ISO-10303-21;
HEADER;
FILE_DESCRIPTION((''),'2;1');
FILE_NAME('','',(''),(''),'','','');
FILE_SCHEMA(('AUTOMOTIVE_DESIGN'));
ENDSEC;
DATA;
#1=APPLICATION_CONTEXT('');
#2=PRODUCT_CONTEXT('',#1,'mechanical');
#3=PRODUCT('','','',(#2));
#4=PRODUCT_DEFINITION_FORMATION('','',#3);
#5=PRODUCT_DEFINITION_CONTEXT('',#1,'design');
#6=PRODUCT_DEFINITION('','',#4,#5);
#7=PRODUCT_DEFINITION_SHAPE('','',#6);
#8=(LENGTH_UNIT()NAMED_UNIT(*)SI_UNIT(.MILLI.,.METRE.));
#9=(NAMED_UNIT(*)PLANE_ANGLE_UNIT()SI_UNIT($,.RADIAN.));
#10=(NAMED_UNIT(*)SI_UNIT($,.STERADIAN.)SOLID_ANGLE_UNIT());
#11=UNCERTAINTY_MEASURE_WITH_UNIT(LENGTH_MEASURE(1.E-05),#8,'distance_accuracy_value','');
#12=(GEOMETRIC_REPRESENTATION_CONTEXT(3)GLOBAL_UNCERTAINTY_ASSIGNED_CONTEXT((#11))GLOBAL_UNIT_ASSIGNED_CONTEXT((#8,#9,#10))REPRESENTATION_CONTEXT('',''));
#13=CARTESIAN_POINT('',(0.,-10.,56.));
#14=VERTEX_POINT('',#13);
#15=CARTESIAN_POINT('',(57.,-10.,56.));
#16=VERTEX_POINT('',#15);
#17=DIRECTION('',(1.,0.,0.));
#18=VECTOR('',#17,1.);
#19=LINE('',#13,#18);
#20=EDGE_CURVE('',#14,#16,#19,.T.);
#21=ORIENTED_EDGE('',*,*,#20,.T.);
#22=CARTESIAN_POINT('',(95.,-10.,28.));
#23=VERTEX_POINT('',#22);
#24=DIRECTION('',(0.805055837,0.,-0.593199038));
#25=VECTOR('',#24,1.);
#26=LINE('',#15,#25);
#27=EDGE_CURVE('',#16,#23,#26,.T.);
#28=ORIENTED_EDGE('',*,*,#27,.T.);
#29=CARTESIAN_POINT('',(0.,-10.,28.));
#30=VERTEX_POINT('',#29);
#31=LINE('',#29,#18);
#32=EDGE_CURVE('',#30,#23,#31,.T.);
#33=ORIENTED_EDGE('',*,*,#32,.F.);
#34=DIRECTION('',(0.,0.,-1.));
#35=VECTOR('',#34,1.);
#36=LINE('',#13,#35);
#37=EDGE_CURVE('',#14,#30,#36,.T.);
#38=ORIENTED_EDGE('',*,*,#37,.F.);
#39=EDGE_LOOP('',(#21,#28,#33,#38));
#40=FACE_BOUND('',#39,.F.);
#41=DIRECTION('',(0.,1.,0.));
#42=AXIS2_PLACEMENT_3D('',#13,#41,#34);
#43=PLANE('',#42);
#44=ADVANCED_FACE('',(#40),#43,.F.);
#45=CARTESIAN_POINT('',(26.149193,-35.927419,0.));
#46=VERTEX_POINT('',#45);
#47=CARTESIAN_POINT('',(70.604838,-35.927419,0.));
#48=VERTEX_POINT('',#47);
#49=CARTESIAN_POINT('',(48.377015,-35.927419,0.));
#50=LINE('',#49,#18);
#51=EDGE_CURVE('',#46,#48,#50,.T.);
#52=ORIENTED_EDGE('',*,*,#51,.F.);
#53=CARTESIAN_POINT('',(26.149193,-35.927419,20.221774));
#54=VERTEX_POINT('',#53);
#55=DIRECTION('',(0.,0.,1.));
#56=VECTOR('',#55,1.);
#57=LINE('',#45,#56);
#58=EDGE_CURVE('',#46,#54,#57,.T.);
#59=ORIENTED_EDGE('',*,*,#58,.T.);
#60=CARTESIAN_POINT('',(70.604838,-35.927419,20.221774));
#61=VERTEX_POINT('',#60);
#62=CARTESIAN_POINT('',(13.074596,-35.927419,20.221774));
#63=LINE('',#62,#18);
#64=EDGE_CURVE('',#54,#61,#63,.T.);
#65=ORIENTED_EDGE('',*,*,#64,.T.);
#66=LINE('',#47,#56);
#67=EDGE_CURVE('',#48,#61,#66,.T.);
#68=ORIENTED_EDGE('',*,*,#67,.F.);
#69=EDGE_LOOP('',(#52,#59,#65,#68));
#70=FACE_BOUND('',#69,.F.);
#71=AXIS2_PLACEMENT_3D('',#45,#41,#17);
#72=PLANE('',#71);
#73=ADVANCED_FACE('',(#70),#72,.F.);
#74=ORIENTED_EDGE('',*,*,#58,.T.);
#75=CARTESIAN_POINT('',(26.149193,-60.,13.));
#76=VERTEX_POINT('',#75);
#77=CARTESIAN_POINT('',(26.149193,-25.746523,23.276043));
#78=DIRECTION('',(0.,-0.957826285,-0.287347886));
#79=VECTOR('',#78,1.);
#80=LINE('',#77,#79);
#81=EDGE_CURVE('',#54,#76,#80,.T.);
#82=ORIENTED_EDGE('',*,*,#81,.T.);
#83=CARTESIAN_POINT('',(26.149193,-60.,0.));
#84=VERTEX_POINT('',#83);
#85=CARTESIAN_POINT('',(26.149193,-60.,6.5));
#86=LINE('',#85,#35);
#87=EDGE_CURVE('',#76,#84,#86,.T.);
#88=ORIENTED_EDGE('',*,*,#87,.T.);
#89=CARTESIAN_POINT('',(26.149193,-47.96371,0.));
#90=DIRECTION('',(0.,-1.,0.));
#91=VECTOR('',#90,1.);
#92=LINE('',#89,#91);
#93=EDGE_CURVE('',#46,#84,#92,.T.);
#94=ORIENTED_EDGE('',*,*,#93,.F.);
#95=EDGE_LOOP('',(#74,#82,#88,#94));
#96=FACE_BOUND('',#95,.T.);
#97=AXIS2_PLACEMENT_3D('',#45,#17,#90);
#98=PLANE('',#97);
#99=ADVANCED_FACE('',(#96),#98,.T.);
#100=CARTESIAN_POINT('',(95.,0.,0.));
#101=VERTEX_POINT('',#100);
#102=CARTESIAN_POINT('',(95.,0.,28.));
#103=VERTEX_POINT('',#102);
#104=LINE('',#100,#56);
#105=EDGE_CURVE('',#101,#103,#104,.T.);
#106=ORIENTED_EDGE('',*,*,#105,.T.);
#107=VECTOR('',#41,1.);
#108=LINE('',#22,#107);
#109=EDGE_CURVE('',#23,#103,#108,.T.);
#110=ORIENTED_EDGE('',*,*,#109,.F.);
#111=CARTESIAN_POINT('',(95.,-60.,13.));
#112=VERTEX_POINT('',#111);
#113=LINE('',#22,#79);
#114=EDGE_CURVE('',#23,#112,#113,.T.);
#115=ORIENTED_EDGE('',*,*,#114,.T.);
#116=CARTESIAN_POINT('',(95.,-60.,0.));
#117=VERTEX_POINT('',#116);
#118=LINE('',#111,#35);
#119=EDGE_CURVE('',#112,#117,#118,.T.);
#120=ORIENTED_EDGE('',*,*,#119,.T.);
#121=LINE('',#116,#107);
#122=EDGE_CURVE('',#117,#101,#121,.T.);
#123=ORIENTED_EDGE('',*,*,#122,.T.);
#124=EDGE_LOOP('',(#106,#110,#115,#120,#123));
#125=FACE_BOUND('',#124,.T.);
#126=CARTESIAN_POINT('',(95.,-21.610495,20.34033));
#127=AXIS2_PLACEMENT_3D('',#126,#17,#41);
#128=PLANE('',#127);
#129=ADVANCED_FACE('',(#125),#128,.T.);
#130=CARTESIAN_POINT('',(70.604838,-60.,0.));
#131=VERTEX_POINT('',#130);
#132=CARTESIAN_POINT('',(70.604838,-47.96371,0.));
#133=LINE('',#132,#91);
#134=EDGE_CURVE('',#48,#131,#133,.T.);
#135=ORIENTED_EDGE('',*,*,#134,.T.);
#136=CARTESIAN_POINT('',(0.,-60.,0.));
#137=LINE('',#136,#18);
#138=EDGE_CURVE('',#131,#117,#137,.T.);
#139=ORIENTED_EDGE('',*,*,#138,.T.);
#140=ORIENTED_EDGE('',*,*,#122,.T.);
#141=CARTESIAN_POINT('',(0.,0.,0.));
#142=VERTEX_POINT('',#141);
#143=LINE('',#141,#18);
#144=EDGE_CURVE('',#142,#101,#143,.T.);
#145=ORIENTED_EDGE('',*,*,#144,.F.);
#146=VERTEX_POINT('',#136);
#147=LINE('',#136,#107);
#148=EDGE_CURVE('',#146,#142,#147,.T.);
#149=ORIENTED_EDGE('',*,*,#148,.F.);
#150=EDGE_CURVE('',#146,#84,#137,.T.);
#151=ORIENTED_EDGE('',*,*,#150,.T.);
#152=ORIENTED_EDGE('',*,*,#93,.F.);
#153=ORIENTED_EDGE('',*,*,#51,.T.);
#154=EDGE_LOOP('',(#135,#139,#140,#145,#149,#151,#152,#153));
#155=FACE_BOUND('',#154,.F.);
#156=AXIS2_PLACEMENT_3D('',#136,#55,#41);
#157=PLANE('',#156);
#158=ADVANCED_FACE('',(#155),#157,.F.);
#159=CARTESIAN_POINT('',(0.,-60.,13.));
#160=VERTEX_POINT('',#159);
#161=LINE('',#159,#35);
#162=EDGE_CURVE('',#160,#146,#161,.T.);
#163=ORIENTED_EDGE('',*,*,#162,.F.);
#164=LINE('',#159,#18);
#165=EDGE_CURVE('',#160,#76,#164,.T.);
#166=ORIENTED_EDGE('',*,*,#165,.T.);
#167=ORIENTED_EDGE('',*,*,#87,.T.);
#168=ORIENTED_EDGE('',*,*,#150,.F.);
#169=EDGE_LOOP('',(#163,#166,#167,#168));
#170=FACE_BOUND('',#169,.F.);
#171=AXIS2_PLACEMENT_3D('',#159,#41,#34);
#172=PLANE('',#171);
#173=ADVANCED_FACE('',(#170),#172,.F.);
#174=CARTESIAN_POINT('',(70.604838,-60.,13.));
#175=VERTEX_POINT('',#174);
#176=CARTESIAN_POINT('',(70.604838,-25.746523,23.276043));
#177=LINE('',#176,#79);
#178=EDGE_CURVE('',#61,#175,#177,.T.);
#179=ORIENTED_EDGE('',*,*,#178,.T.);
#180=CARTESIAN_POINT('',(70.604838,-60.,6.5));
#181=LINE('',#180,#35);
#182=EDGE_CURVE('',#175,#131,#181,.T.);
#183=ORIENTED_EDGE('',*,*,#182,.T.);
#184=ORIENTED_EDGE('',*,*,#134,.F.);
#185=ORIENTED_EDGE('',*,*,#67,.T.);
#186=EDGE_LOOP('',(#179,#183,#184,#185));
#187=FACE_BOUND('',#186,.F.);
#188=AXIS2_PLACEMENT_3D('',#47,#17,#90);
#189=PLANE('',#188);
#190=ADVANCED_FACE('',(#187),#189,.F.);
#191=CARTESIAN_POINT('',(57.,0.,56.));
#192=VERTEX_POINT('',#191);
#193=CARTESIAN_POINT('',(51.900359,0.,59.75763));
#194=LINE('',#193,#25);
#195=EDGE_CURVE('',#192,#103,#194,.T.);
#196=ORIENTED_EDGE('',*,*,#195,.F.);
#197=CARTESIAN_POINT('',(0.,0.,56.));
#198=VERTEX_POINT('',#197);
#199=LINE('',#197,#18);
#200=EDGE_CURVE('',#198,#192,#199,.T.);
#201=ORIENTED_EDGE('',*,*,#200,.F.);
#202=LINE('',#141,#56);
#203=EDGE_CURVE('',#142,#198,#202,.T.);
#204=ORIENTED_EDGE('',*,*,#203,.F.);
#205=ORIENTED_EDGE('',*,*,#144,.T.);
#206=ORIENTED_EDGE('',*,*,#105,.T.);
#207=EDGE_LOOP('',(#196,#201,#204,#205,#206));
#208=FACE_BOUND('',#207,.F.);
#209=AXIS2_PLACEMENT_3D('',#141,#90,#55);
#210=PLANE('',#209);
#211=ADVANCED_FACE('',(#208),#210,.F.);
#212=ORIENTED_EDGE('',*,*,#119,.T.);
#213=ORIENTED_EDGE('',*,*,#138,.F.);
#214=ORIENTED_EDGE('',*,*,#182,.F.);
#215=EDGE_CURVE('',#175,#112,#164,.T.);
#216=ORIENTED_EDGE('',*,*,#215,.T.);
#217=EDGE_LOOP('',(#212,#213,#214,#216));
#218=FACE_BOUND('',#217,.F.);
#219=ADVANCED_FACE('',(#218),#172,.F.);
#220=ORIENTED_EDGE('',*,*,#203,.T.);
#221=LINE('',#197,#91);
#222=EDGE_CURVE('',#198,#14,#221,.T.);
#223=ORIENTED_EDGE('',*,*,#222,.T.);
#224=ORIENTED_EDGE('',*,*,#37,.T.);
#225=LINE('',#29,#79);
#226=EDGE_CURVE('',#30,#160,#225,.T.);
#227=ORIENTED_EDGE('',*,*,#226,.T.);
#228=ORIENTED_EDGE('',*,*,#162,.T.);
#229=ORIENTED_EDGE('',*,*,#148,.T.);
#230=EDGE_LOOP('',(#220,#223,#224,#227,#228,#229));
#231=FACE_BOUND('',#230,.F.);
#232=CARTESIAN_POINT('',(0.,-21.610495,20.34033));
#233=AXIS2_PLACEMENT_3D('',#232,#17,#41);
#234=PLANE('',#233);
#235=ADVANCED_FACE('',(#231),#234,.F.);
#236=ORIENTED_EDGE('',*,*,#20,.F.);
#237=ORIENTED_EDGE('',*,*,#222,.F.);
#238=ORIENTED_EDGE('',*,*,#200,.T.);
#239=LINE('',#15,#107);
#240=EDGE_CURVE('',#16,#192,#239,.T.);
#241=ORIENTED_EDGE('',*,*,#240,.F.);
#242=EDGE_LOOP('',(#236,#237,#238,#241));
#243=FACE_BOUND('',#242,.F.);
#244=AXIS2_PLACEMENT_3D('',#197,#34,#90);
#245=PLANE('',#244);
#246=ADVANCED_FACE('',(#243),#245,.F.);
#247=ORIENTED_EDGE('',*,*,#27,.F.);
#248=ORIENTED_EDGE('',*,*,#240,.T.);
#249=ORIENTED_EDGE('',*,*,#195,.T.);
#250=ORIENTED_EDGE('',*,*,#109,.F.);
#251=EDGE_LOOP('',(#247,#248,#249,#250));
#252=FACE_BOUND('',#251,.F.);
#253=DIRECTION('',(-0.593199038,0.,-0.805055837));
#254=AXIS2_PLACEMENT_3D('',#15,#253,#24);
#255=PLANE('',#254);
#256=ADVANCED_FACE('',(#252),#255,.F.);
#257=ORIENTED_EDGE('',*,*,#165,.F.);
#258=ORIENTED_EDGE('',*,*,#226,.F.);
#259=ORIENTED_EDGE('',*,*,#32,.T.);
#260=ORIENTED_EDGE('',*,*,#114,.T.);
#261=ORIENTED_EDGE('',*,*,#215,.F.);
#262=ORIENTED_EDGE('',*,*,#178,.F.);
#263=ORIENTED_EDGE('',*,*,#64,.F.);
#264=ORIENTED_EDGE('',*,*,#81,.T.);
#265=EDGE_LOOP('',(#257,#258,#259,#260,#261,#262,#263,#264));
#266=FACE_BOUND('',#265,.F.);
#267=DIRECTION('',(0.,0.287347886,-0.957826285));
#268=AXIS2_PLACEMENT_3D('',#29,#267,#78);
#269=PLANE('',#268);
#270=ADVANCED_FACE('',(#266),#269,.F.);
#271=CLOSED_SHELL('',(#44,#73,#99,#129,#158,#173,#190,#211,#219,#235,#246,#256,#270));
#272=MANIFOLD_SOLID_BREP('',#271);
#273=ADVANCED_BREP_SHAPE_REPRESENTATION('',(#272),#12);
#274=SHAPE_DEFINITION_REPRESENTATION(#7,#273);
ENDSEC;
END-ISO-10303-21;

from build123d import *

# Parameters (mm, degrees)
F1_DEPTH = 95
F3_DEPTH = 10.001
F4_W     = 44.455645
F4_H     = 24.072581
F5_DEPTH = 61.3


with BuildPart() as f1:
    # F0 (on Right) → F1 (new body)
    with BuildSketch(Plane.YZ):
        Polygon((-60, 0), (0, 0), (0, 56), (-10, 56), (-10, 28), (-60, 13), align=None)
    extrude(amount=F1_DEPTH)

    # F2 (on face) → F3 (cut, through all)
    with BuildSketch(Plane.XZ.offset(10)):
        Polygon((95, 56), (57, 56), (95, 28), align=None)
    extrude(amount=-F3_DEPTH, mode=Mode.SUBTRACT)

    # F4 (on face) → F5 (cut)
    with BuildSketch(Plane(origin=(0, 0, 0), x_dir=(1, 0, 0), z_dir=(0, 0, -1))):
        with Locations((48.377015, 47.96371)):
            Rectangle(F4_W, F4_H)
    extrude(amount=-F5_DEPTH, mode=Mode.SUBTRACT)


solid = f1.part
